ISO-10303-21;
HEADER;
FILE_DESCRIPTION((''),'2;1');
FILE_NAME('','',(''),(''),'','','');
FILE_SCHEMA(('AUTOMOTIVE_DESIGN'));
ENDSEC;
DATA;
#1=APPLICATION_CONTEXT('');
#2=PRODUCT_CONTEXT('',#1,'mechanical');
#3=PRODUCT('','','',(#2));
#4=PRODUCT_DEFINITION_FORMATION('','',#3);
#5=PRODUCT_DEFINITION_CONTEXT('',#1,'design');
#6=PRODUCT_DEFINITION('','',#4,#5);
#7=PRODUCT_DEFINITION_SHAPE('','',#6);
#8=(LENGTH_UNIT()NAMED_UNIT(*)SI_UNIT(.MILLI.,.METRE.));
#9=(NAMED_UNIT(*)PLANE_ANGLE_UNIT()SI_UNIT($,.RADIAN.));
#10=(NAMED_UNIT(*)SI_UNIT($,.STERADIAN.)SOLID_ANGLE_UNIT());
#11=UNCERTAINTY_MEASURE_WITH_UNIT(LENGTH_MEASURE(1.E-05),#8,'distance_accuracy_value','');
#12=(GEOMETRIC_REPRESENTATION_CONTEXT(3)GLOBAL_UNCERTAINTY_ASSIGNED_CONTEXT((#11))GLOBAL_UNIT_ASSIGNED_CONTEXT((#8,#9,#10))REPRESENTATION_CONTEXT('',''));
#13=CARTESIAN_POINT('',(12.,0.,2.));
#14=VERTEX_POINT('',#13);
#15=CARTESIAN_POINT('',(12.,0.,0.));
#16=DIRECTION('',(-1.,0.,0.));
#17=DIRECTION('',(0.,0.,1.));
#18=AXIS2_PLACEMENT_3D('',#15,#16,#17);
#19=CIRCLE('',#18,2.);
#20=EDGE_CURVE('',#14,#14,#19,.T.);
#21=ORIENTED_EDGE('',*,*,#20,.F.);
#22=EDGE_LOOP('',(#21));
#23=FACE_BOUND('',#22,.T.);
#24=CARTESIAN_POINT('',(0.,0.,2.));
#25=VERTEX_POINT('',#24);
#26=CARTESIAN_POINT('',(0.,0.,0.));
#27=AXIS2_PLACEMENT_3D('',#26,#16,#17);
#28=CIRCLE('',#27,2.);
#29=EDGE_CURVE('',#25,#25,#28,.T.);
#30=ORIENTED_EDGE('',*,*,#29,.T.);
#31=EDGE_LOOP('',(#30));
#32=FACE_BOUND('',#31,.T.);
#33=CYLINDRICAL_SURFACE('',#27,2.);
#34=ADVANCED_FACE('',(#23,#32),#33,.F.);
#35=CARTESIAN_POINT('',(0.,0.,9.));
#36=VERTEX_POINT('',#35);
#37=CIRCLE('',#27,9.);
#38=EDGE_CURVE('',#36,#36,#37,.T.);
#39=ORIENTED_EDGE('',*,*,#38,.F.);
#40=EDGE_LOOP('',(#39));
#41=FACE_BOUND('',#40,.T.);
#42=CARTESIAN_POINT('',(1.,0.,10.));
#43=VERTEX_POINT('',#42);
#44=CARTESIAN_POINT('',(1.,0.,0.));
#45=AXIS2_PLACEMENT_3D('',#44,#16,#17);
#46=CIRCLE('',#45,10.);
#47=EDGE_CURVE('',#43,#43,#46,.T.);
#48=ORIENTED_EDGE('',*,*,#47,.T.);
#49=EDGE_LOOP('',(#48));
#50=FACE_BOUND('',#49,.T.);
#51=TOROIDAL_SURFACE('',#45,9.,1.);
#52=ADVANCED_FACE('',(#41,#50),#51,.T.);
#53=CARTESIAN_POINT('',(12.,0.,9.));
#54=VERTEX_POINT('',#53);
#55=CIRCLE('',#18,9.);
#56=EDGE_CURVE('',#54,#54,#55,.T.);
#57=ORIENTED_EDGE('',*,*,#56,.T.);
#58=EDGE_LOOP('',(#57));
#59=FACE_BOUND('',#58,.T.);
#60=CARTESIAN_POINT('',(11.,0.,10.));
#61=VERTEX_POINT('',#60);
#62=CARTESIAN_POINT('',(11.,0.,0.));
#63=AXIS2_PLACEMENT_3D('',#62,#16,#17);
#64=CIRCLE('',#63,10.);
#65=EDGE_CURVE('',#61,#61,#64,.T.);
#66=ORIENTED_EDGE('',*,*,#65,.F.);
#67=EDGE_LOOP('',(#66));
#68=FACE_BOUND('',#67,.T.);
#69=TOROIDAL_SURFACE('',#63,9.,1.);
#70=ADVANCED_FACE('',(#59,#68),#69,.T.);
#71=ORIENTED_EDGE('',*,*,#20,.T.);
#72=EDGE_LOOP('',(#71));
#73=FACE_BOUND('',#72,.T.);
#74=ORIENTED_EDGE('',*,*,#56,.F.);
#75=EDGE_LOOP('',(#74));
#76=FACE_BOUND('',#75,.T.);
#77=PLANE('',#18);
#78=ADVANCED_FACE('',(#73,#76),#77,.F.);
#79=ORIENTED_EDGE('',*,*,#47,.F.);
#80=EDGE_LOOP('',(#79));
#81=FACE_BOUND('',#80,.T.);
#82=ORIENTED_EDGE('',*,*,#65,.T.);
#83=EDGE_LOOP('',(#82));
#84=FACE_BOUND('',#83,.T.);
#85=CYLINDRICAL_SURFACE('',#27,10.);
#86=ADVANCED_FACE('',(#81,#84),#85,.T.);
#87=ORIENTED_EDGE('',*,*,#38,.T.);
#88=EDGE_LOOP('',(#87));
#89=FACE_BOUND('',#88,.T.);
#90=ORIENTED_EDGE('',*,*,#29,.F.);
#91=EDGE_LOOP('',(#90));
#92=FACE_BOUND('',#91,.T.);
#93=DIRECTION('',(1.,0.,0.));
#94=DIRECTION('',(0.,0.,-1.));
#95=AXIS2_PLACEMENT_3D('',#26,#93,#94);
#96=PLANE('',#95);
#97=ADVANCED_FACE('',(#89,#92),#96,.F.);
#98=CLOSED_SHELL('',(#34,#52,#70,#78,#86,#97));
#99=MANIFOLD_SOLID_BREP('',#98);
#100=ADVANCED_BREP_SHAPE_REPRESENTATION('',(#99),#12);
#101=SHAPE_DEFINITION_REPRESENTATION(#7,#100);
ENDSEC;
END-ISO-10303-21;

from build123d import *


with BuildPart() as part:
    # Esquisse1 → Révolution1 (revolve)
    with BuildSketch(Plane.XY, mode=Mode.PRIVATE) as r_volution1_sk:
        with BuildLine():
            Line((0, 9), (0, 2))
            Line((0, 2), (12, 2))
            Line((12, 2), (12, 9))
            ThreePointArc((12, 9), (11.707106781, 9.707106781), (11, 10))
            Line((11, 10), (1, 10))
            ThreePointArc((1, 10), (0.292893219, 9.707106781), (0, 9))
        make_face()
    revolve(r_volution1_sk.sketch.rotate(Axis((0, 0, 0), (1, 0, 0)), 90), axis=Axis((0, 0, 0), (1, 0, 0)))


solid = part.part
